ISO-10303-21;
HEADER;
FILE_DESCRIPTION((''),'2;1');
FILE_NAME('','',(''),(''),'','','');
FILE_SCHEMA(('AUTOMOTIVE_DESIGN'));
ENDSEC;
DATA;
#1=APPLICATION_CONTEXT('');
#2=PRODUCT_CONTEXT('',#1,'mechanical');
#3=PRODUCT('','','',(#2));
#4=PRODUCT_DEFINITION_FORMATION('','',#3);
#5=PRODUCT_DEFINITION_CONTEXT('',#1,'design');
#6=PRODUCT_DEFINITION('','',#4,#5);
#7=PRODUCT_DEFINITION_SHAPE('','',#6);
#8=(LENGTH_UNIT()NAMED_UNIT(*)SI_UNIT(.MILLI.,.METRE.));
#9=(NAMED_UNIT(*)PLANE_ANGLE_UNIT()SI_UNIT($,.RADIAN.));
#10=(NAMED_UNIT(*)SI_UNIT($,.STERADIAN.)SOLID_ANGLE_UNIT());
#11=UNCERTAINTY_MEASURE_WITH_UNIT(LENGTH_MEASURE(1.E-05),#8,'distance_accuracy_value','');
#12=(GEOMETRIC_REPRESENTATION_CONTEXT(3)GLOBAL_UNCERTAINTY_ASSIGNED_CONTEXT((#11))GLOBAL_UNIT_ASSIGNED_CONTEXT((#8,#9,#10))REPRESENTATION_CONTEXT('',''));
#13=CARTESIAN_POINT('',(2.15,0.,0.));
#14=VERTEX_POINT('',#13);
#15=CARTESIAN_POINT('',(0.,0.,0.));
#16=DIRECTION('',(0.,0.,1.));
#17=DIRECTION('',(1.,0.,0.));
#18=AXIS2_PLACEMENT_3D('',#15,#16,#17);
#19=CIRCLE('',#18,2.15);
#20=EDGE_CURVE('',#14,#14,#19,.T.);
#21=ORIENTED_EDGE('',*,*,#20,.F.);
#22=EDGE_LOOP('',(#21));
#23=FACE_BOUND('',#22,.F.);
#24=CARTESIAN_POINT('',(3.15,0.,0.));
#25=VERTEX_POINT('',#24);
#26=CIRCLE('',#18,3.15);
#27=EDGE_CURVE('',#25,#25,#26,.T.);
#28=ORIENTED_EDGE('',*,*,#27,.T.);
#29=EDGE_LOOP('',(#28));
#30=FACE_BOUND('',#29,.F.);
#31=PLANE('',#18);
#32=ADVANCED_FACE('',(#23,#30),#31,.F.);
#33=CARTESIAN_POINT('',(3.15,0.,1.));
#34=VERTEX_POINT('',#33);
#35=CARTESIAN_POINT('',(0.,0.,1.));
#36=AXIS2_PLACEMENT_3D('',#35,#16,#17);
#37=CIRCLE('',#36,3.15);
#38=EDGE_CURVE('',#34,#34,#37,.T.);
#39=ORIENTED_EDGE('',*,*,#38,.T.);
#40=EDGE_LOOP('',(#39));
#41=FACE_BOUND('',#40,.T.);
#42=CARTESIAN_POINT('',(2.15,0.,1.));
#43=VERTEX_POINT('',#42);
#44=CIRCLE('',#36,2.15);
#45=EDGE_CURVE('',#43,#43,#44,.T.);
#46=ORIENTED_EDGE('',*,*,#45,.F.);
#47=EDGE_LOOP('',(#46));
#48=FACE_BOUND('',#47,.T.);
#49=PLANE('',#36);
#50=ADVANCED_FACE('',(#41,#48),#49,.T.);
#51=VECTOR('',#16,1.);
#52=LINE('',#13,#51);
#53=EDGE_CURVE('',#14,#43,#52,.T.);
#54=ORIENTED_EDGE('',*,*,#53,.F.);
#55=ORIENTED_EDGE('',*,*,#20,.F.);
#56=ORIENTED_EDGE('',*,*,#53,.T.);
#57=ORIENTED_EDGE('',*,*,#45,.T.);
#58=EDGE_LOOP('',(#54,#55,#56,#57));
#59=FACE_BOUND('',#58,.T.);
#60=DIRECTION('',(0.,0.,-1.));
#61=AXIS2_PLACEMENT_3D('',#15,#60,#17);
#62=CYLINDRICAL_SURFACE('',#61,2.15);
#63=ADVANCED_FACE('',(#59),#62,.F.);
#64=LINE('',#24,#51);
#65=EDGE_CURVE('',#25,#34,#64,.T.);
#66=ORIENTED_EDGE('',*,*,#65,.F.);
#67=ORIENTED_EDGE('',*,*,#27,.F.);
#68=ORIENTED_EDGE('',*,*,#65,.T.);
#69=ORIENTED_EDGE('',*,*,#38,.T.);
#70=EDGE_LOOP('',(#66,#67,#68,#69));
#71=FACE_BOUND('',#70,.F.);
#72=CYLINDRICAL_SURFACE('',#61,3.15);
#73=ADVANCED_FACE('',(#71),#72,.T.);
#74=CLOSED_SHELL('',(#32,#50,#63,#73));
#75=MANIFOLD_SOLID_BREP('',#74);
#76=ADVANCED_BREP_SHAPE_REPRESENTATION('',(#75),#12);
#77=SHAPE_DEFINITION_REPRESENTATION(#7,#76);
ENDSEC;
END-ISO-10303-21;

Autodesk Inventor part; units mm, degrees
ref_plane "YZ Plane" through (0, 0, 0) normal (1, 0, 0) x (0, 1, 0)
ref_plane "XZ Plane" through (0, 0, 0) normal (0, 1, 0) x (-1, 0, 0)
ref_plane "XY Plane" through (0, 0, 0) normal (0, 0, 1) x (1, 0, 0)
sketch "Skizze1" plane through (0, 0, 0) normal (0, 0, 1) x (1, 0, 0)
  circle A0 centre (0, 0) radius 2.15
  circle A1 centre (0, 0) radius 3.15
  dimension "d0" = 4.3
  dimension "d1" = 1
extrude "Extrusion1" add sketch "Skizze1" along normal blind 1
properties part number "BushBeltDriveTL"
